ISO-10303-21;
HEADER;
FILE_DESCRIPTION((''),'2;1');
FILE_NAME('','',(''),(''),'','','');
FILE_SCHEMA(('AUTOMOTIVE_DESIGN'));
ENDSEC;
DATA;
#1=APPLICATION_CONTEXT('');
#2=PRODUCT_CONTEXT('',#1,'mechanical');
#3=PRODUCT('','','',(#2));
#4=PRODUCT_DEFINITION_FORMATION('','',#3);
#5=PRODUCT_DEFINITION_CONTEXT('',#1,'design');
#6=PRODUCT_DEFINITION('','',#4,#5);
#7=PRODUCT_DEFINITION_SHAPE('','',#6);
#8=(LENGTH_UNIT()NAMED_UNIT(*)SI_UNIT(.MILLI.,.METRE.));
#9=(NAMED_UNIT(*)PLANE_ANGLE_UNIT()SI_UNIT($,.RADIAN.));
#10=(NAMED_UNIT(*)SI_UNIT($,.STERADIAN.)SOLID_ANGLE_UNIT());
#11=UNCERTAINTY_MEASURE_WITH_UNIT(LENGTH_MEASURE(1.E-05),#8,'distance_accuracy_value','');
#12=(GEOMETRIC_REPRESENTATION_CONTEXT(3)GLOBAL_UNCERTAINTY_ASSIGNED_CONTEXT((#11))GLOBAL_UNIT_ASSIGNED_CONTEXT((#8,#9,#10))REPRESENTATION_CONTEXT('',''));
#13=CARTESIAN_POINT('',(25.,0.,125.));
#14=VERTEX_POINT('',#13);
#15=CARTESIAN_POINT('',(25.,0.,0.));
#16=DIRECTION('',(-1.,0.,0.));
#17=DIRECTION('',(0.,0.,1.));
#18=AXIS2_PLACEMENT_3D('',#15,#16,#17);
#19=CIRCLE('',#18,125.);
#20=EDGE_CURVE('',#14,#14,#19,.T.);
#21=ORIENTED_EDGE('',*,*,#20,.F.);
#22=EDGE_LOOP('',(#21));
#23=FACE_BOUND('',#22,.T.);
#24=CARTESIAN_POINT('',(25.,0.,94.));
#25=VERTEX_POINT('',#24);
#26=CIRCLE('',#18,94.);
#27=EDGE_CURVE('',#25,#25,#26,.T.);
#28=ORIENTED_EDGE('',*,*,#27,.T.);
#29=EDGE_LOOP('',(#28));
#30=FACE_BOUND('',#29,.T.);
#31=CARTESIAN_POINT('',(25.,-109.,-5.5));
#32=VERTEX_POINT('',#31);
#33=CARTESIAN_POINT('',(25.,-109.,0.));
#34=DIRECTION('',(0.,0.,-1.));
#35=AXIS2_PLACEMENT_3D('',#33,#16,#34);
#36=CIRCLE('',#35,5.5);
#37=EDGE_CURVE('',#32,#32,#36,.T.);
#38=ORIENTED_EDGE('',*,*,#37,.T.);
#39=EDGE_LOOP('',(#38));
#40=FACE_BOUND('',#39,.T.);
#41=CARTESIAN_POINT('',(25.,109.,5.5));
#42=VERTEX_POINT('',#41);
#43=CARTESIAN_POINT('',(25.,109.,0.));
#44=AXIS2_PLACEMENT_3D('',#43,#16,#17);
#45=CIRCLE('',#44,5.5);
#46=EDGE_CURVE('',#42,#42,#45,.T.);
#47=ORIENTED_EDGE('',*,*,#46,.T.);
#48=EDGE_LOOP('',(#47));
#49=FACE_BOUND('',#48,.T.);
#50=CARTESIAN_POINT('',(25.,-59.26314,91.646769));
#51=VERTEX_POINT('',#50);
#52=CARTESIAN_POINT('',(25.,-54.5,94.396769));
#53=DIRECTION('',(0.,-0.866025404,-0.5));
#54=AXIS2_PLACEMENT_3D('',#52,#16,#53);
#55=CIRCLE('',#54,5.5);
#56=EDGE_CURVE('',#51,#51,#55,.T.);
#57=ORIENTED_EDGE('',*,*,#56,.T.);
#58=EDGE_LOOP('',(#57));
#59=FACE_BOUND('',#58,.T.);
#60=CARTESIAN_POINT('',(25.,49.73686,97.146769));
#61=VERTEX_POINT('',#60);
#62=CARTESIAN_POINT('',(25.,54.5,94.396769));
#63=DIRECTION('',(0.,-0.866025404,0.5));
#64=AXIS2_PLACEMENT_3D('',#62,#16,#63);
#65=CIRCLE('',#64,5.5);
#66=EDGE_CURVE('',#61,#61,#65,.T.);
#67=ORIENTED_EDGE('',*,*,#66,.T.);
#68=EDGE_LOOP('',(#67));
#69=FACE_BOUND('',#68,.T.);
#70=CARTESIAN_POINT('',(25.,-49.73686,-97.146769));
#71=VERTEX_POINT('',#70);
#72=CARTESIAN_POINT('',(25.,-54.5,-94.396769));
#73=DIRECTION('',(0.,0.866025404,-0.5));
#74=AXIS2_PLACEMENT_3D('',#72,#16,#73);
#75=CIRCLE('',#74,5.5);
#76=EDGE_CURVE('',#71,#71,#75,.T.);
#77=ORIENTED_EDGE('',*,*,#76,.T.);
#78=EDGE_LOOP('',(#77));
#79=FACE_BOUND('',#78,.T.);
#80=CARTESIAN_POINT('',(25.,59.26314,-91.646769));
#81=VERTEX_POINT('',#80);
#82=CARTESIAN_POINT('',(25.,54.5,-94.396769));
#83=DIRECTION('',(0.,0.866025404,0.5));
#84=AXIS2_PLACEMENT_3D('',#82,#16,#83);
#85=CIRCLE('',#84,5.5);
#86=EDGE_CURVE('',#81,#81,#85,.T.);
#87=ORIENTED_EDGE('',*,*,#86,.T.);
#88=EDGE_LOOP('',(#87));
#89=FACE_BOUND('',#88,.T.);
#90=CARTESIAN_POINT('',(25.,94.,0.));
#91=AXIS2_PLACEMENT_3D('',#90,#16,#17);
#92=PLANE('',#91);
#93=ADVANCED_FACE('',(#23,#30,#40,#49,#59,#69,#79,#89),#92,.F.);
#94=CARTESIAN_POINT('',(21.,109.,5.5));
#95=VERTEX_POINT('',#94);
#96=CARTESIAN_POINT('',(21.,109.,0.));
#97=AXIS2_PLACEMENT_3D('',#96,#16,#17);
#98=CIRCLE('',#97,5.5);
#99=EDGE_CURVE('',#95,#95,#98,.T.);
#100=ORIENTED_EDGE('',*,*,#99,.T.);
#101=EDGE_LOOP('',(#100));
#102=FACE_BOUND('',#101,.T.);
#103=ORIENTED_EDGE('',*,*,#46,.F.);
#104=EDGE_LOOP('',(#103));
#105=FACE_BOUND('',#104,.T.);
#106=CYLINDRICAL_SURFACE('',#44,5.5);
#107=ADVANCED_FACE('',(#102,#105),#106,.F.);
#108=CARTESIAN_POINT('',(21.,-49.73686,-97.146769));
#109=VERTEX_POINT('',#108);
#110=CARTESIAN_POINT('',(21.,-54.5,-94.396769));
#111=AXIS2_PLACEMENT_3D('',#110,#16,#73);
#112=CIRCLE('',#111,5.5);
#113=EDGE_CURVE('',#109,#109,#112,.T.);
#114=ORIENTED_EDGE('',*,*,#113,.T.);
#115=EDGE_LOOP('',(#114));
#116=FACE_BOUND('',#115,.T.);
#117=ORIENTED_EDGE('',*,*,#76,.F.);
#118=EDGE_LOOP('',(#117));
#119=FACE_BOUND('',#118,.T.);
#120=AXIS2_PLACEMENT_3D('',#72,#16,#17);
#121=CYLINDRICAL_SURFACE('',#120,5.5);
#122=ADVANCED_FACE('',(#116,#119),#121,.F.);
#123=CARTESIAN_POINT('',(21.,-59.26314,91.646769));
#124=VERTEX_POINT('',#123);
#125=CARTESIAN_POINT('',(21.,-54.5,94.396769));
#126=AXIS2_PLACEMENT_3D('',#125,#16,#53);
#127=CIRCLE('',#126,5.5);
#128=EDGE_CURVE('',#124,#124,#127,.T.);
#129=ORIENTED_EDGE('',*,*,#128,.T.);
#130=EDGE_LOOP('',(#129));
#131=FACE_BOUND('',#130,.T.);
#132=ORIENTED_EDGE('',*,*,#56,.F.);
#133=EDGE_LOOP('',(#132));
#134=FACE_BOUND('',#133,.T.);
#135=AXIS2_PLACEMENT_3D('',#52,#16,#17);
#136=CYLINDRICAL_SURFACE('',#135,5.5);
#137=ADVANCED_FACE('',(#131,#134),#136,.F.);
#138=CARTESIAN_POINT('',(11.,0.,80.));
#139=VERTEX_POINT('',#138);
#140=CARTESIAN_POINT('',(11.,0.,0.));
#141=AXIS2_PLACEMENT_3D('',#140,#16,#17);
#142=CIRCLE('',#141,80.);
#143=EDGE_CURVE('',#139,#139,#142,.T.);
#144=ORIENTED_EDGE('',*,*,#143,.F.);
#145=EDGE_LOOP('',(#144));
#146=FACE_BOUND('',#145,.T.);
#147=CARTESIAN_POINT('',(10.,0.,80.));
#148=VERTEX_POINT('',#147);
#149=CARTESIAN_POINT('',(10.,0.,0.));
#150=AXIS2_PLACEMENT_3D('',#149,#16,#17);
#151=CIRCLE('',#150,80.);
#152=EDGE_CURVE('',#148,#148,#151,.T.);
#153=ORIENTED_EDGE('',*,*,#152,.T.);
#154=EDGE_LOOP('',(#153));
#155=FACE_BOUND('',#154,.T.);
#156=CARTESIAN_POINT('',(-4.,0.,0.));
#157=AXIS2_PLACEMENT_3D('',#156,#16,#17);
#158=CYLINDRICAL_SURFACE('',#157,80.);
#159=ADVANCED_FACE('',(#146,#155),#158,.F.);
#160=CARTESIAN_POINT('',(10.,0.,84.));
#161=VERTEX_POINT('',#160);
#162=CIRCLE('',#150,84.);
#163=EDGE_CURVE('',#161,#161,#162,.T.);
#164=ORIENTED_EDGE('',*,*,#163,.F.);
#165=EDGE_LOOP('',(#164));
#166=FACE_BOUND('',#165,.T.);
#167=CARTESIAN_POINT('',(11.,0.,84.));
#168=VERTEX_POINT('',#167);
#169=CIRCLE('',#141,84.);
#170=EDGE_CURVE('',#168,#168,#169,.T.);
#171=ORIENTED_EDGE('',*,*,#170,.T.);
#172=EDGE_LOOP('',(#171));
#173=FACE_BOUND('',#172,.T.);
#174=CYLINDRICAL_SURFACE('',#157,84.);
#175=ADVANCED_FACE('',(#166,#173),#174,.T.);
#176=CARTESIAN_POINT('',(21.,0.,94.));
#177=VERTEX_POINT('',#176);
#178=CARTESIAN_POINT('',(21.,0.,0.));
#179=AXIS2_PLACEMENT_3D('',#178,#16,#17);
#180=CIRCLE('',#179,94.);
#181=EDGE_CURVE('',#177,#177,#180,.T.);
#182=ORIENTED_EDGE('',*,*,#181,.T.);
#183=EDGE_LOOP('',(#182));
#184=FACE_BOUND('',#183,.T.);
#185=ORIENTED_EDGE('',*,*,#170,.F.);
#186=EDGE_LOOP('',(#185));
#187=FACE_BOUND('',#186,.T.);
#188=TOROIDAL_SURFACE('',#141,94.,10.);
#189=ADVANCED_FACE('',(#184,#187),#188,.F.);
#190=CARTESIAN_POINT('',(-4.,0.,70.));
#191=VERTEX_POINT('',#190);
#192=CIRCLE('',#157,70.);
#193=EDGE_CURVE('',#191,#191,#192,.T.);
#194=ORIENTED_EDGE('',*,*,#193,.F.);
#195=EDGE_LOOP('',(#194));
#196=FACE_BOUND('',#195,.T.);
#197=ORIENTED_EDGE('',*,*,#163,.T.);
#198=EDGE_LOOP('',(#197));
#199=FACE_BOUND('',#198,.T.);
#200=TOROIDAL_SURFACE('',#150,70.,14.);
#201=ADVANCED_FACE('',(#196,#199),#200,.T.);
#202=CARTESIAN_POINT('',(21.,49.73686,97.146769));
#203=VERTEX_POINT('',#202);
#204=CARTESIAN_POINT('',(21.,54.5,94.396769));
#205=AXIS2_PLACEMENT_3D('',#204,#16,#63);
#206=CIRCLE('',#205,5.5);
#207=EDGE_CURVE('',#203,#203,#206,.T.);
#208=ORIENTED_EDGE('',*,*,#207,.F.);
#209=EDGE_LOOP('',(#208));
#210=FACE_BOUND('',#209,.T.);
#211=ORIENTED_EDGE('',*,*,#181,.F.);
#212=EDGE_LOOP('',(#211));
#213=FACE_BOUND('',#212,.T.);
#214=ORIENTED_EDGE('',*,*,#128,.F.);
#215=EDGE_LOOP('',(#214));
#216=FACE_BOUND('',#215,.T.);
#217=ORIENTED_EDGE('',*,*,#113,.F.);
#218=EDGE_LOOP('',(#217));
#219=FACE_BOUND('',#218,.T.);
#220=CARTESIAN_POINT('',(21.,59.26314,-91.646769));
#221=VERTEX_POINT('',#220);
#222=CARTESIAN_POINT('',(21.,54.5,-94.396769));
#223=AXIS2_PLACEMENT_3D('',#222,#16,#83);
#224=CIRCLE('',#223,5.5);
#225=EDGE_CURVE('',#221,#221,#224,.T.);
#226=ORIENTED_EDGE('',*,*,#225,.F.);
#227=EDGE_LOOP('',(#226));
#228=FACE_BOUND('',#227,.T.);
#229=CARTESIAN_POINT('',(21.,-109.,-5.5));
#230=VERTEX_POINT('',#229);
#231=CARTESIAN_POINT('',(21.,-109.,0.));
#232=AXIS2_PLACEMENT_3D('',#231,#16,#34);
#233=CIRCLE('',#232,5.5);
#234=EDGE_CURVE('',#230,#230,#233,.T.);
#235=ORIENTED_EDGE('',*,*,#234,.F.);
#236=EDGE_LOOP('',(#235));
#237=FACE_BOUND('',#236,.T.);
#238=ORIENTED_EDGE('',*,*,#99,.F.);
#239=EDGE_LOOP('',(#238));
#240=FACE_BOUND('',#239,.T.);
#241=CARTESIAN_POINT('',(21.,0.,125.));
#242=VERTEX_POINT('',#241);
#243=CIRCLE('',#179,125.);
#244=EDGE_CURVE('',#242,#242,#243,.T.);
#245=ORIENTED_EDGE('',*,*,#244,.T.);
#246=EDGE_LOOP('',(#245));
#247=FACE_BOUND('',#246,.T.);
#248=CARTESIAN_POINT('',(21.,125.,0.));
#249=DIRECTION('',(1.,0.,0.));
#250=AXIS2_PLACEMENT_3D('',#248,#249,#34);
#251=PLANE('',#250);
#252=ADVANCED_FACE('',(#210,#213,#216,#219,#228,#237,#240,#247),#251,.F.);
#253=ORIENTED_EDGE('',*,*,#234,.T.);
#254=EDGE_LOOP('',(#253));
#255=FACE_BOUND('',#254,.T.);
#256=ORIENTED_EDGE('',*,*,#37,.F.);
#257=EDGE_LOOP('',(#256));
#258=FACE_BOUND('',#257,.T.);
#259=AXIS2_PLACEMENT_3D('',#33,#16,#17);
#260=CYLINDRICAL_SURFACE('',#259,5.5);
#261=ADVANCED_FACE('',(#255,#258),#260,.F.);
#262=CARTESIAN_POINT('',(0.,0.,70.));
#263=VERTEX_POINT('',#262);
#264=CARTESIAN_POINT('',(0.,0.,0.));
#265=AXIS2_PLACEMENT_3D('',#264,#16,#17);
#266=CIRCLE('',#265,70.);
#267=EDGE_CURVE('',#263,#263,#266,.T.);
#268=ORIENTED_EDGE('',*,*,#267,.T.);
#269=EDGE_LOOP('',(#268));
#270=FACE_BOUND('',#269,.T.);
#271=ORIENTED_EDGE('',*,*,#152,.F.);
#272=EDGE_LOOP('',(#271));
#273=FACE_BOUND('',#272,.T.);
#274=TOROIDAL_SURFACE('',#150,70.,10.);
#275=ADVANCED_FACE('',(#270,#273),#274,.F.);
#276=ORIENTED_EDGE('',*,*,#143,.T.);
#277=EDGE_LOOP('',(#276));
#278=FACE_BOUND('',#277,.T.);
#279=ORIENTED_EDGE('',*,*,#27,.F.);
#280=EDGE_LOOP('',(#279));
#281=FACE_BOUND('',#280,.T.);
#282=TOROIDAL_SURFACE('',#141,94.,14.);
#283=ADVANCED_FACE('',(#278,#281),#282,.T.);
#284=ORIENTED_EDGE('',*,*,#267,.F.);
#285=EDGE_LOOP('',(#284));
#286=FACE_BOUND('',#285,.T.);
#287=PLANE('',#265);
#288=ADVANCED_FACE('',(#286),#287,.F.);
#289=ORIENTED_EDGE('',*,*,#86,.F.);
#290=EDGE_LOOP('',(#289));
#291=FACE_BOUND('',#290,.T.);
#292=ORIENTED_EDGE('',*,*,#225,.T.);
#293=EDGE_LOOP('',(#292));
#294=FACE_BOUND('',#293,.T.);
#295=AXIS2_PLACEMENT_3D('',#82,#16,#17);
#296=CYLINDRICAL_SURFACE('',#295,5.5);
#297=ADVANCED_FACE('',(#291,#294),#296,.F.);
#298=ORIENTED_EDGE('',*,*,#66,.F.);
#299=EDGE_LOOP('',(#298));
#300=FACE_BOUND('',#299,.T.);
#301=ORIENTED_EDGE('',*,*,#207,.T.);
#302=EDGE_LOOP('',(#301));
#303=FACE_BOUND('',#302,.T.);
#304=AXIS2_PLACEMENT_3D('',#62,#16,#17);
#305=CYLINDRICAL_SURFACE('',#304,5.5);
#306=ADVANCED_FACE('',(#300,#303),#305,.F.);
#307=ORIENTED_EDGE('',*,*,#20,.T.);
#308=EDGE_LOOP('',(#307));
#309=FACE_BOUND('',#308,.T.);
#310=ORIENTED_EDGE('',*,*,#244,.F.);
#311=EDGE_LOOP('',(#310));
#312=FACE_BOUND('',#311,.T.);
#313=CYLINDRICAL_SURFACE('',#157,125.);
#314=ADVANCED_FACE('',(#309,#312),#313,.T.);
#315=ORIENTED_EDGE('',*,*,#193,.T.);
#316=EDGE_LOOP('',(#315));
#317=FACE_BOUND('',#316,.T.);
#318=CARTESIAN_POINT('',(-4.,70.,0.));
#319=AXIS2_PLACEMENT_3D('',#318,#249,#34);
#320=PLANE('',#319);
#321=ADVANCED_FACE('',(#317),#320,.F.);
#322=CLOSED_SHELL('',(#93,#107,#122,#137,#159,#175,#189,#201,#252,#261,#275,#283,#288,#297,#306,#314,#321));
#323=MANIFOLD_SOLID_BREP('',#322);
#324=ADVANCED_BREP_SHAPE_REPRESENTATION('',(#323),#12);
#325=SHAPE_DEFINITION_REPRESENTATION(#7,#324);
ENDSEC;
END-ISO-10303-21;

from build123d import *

# Parameters (mm, degrees)
SKETCH2_R          = 5.5
CUT_EXTRUDE1_DEPTH = 179.535710728
CIRPATTERN1_COUNT  = 6


with BuildPart() as part:
    # Sketch1 → Revolve1 (revolve)
    with BuildSketch(Plane.XY, mode=Mode.PRIVATE) as revolve1_sk:
        with BuildLine():
            Line((0, 0), (0, 70))
            ThreePointArc((0, 70), (2.928932188, 77.071067812), (10, 80))
            Line((10, 80), (11, 80))
            ThreePointArc((11, 80), (20.899494937, 84.100505063), (25, 94))
            Line((25, 94), (25, 125))
            Line((25, 125), (21, 125))
            Line((21, 125), (21, 94))
            ThreePointArc((21, 94), (18.071067812, 86.928932188), (11, 84))
            Line((11, 84), (10, 84))
            ThreePointArc((10, 84), (0.100505063, 79.899494937), (-4, 70))
            Line((-4, 70), (-4, 0))
            Line((-4, 0), (0, 0))
        make_face()
    revolve(revolve1_sk.sketch.rotate(Axis((-4, 0, 0), (1, 0, 0)), 90), axis=Axis((-4, 0, 0), (1, 0, 0)))

    # Sketch2 → Cut-Extrude1 (cut, through all)
    with BuildSketch(Plane.ZY.offset(-21)):
        with Locations((0, 109)):
            Circle(SKETCH2_R)
    cut_extrude1 = extrude(amount=-CUT_EXTRUDE1_DEPTH, mode=Mode.SUBTRACT)

    # CirPattern1: Cut-Extrude1 ×6 about axis
    cirpattern1_axis = Axis((0, 0, 0), (1, 0, 0))
    for i in range(1, CIRPATTERN1_COUNT):
        add(cut_extrude1.rotate(cirpattern1_axis, i * 360 / CIRPATTERN1_COUNT), mode=Mode.SUBTRACT)


solid = part.part
